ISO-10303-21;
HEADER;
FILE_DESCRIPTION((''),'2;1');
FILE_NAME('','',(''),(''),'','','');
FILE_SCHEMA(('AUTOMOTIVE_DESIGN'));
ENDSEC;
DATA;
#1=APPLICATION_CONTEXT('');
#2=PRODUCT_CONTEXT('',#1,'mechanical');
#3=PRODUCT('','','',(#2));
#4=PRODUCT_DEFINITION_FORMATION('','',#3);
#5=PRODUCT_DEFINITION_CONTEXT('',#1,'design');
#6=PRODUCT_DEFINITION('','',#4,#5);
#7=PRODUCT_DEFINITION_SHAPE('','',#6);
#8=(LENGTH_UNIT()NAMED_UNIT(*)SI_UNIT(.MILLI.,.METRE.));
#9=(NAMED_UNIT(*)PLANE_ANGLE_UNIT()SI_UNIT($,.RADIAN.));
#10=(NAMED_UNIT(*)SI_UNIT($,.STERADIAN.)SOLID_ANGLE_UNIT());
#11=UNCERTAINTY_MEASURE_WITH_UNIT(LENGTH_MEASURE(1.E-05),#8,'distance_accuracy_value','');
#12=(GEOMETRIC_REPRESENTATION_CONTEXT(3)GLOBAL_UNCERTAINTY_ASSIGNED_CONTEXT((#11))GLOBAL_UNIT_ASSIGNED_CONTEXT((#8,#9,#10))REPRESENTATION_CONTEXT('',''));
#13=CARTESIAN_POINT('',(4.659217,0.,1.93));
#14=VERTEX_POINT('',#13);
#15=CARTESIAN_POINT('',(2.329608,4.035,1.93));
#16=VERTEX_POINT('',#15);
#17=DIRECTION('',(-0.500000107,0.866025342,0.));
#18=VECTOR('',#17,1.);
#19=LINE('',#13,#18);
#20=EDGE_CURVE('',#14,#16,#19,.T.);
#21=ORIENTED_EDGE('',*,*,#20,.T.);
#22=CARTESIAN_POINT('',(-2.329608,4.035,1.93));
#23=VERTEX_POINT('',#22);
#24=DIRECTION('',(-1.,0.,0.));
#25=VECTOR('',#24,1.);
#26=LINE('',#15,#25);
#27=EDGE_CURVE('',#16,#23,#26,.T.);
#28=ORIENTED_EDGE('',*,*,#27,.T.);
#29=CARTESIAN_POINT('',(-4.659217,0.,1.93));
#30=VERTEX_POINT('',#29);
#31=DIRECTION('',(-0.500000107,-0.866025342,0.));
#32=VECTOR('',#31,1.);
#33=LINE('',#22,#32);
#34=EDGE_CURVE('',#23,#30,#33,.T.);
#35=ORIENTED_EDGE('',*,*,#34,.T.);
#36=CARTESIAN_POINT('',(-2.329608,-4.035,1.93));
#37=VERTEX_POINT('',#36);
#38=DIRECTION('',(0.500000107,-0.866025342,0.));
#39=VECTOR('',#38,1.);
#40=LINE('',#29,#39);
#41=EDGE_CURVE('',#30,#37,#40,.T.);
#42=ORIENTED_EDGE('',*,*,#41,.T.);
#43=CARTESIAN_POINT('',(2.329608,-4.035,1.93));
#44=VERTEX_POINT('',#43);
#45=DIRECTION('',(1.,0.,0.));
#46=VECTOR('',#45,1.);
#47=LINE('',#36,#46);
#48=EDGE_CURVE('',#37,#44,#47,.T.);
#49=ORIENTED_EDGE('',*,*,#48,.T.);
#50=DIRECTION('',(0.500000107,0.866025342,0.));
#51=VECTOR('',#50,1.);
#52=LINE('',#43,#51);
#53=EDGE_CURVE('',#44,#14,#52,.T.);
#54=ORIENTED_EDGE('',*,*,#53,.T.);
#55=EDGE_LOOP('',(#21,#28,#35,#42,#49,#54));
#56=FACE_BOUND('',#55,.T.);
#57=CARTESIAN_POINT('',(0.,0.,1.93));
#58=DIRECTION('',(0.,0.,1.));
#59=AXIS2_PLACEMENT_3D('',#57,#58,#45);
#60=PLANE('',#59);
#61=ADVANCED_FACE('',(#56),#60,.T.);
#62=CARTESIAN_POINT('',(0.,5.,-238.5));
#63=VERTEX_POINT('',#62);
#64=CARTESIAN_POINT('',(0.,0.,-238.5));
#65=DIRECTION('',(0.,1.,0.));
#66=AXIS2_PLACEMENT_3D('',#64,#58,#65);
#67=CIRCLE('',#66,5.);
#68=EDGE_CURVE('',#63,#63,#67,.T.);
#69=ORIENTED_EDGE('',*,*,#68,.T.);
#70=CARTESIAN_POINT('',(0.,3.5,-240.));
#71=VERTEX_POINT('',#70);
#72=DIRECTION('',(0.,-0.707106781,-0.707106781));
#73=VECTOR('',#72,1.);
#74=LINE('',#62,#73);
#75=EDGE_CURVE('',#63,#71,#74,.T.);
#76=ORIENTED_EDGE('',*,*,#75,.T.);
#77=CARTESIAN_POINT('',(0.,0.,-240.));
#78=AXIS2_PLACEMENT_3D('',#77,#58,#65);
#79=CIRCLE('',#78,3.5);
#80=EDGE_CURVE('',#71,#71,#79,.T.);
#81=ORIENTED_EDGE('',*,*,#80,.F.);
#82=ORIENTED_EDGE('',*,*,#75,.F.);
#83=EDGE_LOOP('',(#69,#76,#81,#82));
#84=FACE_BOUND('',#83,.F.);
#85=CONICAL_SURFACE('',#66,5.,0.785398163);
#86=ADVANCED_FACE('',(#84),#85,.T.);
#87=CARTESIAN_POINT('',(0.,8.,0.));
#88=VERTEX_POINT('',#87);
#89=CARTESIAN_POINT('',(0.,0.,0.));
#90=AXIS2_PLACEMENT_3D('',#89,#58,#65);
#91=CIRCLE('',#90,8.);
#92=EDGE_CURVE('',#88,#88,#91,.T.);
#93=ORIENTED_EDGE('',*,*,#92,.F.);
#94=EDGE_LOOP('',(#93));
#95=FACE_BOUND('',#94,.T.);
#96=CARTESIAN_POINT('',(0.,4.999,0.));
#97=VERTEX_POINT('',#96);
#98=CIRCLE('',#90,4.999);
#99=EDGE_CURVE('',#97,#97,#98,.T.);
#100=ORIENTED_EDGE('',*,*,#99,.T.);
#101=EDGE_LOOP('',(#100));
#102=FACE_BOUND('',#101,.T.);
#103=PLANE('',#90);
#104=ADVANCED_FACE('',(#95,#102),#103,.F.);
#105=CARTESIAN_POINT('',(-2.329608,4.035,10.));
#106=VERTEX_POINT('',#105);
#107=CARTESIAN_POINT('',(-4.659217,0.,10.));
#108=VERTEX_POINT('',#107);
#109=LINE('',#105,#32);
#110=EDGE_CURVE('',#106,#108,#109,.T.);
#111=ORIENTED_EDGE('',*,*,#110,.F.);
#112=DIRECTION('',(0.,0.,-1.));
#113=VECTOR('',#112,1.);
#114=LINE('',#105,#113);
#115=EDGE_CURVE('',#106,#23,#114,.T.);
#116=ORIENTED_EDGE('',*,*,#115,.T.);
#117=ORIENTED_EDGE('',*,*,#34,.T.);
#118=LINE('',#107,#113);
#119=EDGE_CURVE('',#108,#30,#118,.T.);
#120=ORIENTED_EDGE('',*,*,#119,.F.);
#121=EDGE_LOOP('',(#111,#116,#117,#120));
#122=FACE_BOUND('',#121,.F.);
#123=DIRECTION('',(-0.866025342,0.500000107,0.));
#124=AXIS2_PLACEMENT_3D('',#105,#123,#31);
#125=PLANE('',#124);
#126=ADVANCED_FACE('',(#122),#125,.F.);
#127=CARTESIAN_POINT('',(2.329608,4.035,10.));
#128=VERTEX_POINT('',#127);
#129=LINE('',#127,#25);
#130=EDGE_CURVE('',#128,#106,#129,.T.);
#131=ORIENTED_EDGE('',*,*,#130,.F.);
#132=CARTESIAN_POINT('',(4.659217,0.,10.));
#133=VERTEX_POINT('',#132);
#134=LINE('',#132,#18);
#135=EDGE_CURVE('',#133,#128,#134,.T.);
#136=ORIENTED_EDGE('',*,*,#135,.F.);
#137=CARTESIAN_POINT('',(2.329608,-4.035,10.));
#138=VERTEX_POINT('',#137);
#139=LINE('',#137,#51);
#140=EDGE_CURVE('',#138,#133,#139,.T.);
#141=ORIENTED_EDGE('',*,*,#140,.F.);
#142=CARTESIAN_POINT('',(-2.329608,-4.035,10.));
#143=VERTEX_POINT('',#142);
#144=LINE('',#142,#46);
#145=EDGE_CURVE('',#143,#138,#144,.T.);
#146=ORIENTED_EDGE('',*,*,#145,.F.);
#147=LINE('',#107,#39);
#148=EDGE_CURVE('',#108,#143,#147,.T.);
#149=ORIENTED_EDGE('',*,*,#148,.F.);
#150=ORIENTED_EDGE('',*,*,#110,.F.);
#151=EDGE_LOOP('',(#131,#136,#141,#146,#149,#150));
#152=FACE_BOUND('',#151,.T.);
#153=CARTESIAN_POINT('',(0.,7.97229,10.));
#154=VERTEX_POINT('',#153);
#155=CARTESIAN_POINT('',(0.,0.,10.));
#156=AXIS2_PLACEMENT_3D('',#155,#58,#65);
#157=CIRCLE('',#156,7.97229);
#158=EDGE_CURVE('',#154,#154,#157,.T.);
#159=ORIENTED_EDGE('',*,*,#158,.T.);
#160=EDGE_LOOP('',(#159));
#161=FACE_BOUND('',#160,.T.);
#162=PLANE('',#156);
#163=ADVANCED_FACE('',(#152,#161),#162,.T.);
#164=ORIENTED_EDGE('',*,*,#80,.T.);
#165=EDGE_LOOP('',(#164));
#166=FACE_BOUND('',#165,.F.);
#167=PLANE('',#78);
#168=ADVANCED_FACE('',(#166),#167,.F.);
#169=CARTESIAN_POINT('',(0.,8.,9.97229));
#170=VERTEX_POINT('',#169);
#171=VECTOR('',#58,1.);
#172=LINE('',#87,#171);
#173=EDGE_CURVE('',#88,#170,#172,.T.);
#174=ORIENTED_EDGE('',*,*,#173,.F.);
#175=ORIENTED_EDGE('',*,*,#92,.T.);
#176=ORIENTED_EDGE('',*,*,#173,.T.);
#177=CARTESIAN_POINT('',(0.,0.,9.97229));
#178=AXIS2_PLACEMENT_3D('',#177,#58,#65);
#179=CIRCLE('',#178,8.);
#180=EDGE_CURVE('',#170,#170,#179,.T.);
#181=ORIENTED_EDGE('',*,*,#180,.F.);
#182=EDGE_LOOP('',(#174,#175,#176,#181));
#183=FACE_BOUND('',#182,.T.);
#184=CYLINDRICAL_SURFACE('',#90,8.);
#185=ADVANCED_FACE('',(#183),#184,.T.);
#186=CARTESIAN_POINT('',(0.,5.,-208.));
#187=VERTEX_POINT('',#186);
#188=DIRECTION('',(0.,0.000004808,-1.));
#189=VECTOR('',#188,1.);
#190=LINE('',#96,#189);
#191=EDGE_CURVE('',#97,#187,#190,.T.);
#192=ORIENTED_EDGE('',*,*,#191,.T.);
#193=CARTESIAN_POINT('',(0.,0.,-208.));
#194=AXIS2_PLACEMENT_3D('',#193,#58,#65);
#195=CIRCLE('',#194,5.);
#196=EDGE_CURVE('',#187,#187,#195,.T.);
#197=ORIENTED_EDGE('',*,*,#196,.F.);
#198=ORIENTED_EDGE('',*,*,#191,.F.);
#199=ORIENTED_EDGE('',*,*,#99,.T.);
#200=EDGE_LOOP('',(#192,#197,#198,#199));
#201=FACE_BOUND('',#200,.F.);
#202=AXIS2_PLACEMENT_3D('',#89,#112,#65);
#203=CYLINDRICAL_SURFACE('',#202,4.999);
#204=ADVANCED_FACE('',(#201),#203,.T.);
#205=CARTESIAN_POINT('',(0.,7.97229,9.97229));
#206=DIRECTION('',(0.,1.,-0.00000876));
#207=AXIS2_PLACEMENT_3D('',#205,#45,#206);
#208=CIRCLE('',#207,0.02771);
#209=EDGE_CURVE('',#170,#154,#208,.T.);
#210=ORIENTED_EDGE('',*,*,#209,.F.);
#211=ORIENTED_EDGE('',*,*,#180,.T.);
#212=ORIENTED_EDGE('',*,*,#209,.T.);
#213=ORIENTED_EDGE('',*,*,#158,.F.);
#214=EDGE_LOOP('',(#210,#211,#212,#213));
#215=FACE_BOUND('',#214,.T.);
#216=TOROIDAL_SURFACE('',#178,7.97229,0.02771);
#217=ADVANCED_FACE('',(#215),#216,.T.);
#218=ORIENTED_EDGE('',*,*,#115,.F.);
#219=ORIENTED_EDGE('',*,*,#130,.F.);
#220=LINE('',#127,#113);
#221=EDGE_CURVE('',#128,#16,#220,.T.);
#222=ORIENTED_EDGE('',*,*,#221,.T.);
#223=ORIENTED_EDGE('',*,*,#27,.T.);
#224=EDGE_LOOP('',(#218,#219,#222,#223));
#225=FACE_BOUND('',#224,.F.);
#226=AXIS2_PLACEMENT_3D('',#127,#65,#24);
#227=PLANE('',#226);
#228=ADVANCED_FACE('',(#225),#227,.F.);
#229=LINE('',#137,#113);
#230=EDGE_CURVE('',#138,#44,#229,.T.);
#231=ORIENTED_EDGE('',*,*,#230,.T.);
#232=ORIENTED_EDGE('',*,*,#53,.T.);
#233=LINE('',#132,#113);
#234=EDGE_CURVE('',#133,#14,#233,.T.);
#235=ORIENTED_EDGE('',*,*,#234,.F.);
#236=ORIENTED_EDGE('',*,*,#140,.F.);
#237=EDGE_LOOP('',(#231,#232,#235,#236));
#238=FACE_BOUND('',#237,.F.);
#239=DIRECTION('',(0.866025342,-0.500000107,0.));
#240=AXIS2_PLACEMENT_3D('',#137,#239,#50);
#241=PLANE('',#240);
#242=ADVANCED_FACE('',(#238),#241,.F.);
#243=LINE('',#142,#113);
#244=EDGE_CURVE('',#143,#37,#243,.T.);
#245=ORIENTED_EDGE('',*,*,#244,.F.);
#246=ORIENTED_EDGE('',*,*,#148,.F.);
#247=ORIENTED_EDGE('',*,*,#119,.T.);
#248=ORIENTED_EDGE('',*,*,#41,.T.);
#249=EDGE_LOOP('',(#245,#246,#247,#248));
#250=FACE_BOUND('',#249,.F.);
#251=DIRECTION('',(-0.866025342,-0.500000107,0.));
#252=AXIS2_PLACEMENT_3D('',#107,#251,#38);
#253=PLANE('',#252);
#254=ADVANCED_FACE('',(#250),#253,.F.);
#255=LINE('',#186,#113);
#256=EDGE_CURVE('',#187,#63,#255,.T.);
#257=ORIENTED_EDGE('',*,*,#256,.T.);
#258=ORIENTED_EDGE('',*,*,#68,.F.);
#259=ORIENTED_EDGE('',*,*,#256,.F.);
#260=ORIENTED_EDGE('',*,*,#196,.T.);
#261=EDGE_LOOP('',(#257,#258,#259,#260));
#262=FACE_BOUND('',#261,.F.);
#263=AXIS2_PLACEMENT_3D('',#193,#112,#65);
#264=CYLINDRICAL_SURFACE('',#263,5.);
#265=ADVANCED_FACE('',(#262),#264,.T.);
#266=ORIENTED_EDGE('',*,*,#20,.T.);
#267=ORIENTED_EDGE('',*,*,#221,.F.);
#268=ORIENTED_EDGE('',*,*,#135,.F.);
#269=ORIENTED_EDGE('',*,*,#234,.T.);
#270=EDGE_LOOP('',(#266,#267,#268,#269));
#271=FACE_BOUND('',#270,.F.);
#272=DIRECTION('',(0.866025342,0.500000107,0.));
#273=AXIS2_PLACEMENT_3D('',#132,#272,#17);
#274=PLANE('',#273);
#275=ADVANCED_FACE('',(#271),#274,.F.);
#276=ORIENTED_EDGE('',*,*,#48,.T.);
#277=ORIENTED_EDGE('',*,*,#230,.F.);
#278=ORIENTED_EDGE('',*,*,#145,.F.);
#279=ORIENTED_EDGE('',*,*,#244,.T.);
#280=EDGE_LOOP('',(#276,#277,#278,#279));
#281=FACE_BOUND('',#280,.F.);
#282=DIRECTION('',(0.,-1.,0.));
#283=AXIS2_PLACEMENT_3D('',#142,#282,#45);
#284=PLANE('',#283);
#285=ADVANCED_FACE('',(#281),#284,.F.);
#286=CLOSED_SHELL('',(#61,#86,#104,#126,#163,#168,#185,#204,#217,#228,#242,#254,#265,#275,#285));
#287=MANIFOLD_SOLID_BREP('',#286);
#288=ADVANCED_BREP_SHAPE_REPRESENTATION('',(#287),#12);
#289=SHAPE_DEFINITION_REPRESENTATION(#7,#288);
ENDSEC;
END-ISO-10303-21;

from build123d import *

# Parameters (mm, degrees)
POCKET_DEPTH = 8.07


with BuildPart() as part:
    # Sketch → Revolve (revolve)
    with BuildSketch(Plane.YZ):
        with BuildLine():
            Line((4.999, 0), (8, 0))
            Line((8, 0), (8, 9.97229))
            ThreePointArc((8, 9.97229), (7.991884, 9.991884), (7.97229, 10))
            Line((7.97229, 10), (0, 10))
            Line((0, -240), (0, 10))
            Line((3.5, -240), (0, -240))
            Line((5, -238.5), (3.5, -240))
            Line((5, -208), (5, -238.5))
            Line((4.999, 0), (5, -208))
        make_face()
    revolve(axis=Axis((0, 0, 0), (0, 0, 1)))

    # Sketch001 → Pocket (cut)
    with BuildSketch(Plane.XY.offset(10)):
        Polygon((4.659217, 0), (2.329608, 4.035), (-2.329608, 4.035), (-4.659217, 0), (-2.329608, -4.035), (2.329608, -4.035), align=None)
    extrude(amount=-POCKET_DEPTH, mode=Mode.SUBTRACT)


solid = part.part
